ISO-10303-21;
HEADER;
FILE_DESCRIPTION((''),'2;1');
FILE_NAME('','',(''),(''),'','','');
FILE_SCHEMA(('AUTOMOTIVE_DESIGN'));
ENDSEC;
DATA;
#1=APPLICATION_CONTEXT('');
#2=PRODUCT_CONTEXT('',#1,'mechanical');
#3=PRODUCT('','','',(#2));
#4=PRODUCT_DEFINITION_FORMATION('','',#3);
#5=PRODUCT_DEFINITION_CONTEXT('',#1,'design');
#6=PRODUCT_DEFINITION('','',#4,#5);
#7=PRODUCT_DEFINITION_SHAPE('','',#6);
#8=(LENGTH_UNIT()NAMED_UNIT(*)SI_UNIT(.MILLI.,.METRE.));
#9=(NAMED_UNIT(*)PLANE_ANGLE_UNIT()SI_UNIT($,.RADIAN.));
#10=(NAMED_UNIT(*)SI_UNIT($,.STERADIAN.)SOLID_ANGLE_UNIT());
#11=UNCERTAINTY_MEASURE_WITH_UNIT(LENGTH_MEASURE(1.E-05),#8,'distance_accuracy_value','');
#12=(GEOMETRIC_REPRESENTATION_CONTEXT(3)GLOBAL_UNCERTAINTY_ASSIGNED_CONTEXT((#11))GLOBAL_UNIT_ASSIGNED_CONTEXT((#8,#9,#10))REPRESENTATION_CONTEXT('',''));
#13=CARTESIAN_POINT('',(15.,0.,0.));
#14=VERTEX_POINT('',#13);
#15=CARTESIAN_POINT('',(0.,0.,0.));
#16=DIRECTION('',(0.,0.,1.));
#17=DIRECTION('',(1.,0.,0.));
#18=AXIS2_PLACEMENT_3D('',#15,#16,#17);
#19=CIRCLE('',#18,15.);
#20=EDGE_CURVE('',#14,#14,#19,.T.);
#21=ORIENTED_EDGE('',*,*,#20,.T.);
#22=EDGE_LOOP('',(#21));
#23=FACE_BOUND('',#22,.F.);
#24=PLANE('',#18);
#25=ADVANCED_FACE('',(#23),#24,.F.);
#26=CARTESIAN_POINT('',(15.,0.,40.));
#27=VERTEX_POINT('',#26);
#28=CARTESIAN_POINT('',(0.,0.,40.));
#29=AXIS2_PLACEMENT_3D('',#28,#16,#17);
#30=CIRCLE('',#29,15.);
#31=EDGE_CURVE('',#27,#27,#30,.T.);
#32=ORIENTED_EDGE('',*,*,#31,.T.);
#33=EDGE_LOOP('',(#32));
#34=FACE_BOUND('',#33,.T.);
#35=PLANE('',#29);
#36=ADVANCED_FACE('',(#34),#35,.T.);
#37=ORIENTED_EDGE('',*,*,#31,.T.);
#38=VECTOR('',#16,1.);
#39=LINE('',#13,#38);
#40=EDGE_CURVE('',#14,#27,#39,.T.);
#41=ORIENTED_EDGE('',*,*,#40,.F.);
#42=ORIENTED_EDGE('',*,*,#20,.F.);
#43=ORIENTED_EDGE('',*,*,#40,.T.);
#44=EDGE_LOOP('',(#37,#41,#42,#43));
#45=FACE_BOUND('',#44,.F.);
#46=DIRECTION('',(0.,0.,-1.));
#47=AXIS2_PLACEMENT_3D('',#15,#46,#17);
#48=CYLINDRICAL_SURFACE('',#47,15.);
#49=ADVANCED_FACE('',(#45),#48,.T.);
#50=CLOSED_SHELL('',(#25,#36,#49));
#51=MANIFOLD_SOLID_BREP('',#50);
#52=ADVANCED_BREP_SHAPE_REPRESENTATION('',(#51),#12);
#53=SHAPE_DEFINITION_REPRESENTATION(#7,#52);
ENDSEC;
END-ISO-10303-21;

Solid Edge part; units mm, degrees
sketch "Sketch1" plane through (0, 0, 0) normal (0, 0, 1) x (1, 0, 0)
  circle A0 centre (0, 0) radius 15
extrude "Protrusion1" add sketch "Sketch1" along normal blind 40
